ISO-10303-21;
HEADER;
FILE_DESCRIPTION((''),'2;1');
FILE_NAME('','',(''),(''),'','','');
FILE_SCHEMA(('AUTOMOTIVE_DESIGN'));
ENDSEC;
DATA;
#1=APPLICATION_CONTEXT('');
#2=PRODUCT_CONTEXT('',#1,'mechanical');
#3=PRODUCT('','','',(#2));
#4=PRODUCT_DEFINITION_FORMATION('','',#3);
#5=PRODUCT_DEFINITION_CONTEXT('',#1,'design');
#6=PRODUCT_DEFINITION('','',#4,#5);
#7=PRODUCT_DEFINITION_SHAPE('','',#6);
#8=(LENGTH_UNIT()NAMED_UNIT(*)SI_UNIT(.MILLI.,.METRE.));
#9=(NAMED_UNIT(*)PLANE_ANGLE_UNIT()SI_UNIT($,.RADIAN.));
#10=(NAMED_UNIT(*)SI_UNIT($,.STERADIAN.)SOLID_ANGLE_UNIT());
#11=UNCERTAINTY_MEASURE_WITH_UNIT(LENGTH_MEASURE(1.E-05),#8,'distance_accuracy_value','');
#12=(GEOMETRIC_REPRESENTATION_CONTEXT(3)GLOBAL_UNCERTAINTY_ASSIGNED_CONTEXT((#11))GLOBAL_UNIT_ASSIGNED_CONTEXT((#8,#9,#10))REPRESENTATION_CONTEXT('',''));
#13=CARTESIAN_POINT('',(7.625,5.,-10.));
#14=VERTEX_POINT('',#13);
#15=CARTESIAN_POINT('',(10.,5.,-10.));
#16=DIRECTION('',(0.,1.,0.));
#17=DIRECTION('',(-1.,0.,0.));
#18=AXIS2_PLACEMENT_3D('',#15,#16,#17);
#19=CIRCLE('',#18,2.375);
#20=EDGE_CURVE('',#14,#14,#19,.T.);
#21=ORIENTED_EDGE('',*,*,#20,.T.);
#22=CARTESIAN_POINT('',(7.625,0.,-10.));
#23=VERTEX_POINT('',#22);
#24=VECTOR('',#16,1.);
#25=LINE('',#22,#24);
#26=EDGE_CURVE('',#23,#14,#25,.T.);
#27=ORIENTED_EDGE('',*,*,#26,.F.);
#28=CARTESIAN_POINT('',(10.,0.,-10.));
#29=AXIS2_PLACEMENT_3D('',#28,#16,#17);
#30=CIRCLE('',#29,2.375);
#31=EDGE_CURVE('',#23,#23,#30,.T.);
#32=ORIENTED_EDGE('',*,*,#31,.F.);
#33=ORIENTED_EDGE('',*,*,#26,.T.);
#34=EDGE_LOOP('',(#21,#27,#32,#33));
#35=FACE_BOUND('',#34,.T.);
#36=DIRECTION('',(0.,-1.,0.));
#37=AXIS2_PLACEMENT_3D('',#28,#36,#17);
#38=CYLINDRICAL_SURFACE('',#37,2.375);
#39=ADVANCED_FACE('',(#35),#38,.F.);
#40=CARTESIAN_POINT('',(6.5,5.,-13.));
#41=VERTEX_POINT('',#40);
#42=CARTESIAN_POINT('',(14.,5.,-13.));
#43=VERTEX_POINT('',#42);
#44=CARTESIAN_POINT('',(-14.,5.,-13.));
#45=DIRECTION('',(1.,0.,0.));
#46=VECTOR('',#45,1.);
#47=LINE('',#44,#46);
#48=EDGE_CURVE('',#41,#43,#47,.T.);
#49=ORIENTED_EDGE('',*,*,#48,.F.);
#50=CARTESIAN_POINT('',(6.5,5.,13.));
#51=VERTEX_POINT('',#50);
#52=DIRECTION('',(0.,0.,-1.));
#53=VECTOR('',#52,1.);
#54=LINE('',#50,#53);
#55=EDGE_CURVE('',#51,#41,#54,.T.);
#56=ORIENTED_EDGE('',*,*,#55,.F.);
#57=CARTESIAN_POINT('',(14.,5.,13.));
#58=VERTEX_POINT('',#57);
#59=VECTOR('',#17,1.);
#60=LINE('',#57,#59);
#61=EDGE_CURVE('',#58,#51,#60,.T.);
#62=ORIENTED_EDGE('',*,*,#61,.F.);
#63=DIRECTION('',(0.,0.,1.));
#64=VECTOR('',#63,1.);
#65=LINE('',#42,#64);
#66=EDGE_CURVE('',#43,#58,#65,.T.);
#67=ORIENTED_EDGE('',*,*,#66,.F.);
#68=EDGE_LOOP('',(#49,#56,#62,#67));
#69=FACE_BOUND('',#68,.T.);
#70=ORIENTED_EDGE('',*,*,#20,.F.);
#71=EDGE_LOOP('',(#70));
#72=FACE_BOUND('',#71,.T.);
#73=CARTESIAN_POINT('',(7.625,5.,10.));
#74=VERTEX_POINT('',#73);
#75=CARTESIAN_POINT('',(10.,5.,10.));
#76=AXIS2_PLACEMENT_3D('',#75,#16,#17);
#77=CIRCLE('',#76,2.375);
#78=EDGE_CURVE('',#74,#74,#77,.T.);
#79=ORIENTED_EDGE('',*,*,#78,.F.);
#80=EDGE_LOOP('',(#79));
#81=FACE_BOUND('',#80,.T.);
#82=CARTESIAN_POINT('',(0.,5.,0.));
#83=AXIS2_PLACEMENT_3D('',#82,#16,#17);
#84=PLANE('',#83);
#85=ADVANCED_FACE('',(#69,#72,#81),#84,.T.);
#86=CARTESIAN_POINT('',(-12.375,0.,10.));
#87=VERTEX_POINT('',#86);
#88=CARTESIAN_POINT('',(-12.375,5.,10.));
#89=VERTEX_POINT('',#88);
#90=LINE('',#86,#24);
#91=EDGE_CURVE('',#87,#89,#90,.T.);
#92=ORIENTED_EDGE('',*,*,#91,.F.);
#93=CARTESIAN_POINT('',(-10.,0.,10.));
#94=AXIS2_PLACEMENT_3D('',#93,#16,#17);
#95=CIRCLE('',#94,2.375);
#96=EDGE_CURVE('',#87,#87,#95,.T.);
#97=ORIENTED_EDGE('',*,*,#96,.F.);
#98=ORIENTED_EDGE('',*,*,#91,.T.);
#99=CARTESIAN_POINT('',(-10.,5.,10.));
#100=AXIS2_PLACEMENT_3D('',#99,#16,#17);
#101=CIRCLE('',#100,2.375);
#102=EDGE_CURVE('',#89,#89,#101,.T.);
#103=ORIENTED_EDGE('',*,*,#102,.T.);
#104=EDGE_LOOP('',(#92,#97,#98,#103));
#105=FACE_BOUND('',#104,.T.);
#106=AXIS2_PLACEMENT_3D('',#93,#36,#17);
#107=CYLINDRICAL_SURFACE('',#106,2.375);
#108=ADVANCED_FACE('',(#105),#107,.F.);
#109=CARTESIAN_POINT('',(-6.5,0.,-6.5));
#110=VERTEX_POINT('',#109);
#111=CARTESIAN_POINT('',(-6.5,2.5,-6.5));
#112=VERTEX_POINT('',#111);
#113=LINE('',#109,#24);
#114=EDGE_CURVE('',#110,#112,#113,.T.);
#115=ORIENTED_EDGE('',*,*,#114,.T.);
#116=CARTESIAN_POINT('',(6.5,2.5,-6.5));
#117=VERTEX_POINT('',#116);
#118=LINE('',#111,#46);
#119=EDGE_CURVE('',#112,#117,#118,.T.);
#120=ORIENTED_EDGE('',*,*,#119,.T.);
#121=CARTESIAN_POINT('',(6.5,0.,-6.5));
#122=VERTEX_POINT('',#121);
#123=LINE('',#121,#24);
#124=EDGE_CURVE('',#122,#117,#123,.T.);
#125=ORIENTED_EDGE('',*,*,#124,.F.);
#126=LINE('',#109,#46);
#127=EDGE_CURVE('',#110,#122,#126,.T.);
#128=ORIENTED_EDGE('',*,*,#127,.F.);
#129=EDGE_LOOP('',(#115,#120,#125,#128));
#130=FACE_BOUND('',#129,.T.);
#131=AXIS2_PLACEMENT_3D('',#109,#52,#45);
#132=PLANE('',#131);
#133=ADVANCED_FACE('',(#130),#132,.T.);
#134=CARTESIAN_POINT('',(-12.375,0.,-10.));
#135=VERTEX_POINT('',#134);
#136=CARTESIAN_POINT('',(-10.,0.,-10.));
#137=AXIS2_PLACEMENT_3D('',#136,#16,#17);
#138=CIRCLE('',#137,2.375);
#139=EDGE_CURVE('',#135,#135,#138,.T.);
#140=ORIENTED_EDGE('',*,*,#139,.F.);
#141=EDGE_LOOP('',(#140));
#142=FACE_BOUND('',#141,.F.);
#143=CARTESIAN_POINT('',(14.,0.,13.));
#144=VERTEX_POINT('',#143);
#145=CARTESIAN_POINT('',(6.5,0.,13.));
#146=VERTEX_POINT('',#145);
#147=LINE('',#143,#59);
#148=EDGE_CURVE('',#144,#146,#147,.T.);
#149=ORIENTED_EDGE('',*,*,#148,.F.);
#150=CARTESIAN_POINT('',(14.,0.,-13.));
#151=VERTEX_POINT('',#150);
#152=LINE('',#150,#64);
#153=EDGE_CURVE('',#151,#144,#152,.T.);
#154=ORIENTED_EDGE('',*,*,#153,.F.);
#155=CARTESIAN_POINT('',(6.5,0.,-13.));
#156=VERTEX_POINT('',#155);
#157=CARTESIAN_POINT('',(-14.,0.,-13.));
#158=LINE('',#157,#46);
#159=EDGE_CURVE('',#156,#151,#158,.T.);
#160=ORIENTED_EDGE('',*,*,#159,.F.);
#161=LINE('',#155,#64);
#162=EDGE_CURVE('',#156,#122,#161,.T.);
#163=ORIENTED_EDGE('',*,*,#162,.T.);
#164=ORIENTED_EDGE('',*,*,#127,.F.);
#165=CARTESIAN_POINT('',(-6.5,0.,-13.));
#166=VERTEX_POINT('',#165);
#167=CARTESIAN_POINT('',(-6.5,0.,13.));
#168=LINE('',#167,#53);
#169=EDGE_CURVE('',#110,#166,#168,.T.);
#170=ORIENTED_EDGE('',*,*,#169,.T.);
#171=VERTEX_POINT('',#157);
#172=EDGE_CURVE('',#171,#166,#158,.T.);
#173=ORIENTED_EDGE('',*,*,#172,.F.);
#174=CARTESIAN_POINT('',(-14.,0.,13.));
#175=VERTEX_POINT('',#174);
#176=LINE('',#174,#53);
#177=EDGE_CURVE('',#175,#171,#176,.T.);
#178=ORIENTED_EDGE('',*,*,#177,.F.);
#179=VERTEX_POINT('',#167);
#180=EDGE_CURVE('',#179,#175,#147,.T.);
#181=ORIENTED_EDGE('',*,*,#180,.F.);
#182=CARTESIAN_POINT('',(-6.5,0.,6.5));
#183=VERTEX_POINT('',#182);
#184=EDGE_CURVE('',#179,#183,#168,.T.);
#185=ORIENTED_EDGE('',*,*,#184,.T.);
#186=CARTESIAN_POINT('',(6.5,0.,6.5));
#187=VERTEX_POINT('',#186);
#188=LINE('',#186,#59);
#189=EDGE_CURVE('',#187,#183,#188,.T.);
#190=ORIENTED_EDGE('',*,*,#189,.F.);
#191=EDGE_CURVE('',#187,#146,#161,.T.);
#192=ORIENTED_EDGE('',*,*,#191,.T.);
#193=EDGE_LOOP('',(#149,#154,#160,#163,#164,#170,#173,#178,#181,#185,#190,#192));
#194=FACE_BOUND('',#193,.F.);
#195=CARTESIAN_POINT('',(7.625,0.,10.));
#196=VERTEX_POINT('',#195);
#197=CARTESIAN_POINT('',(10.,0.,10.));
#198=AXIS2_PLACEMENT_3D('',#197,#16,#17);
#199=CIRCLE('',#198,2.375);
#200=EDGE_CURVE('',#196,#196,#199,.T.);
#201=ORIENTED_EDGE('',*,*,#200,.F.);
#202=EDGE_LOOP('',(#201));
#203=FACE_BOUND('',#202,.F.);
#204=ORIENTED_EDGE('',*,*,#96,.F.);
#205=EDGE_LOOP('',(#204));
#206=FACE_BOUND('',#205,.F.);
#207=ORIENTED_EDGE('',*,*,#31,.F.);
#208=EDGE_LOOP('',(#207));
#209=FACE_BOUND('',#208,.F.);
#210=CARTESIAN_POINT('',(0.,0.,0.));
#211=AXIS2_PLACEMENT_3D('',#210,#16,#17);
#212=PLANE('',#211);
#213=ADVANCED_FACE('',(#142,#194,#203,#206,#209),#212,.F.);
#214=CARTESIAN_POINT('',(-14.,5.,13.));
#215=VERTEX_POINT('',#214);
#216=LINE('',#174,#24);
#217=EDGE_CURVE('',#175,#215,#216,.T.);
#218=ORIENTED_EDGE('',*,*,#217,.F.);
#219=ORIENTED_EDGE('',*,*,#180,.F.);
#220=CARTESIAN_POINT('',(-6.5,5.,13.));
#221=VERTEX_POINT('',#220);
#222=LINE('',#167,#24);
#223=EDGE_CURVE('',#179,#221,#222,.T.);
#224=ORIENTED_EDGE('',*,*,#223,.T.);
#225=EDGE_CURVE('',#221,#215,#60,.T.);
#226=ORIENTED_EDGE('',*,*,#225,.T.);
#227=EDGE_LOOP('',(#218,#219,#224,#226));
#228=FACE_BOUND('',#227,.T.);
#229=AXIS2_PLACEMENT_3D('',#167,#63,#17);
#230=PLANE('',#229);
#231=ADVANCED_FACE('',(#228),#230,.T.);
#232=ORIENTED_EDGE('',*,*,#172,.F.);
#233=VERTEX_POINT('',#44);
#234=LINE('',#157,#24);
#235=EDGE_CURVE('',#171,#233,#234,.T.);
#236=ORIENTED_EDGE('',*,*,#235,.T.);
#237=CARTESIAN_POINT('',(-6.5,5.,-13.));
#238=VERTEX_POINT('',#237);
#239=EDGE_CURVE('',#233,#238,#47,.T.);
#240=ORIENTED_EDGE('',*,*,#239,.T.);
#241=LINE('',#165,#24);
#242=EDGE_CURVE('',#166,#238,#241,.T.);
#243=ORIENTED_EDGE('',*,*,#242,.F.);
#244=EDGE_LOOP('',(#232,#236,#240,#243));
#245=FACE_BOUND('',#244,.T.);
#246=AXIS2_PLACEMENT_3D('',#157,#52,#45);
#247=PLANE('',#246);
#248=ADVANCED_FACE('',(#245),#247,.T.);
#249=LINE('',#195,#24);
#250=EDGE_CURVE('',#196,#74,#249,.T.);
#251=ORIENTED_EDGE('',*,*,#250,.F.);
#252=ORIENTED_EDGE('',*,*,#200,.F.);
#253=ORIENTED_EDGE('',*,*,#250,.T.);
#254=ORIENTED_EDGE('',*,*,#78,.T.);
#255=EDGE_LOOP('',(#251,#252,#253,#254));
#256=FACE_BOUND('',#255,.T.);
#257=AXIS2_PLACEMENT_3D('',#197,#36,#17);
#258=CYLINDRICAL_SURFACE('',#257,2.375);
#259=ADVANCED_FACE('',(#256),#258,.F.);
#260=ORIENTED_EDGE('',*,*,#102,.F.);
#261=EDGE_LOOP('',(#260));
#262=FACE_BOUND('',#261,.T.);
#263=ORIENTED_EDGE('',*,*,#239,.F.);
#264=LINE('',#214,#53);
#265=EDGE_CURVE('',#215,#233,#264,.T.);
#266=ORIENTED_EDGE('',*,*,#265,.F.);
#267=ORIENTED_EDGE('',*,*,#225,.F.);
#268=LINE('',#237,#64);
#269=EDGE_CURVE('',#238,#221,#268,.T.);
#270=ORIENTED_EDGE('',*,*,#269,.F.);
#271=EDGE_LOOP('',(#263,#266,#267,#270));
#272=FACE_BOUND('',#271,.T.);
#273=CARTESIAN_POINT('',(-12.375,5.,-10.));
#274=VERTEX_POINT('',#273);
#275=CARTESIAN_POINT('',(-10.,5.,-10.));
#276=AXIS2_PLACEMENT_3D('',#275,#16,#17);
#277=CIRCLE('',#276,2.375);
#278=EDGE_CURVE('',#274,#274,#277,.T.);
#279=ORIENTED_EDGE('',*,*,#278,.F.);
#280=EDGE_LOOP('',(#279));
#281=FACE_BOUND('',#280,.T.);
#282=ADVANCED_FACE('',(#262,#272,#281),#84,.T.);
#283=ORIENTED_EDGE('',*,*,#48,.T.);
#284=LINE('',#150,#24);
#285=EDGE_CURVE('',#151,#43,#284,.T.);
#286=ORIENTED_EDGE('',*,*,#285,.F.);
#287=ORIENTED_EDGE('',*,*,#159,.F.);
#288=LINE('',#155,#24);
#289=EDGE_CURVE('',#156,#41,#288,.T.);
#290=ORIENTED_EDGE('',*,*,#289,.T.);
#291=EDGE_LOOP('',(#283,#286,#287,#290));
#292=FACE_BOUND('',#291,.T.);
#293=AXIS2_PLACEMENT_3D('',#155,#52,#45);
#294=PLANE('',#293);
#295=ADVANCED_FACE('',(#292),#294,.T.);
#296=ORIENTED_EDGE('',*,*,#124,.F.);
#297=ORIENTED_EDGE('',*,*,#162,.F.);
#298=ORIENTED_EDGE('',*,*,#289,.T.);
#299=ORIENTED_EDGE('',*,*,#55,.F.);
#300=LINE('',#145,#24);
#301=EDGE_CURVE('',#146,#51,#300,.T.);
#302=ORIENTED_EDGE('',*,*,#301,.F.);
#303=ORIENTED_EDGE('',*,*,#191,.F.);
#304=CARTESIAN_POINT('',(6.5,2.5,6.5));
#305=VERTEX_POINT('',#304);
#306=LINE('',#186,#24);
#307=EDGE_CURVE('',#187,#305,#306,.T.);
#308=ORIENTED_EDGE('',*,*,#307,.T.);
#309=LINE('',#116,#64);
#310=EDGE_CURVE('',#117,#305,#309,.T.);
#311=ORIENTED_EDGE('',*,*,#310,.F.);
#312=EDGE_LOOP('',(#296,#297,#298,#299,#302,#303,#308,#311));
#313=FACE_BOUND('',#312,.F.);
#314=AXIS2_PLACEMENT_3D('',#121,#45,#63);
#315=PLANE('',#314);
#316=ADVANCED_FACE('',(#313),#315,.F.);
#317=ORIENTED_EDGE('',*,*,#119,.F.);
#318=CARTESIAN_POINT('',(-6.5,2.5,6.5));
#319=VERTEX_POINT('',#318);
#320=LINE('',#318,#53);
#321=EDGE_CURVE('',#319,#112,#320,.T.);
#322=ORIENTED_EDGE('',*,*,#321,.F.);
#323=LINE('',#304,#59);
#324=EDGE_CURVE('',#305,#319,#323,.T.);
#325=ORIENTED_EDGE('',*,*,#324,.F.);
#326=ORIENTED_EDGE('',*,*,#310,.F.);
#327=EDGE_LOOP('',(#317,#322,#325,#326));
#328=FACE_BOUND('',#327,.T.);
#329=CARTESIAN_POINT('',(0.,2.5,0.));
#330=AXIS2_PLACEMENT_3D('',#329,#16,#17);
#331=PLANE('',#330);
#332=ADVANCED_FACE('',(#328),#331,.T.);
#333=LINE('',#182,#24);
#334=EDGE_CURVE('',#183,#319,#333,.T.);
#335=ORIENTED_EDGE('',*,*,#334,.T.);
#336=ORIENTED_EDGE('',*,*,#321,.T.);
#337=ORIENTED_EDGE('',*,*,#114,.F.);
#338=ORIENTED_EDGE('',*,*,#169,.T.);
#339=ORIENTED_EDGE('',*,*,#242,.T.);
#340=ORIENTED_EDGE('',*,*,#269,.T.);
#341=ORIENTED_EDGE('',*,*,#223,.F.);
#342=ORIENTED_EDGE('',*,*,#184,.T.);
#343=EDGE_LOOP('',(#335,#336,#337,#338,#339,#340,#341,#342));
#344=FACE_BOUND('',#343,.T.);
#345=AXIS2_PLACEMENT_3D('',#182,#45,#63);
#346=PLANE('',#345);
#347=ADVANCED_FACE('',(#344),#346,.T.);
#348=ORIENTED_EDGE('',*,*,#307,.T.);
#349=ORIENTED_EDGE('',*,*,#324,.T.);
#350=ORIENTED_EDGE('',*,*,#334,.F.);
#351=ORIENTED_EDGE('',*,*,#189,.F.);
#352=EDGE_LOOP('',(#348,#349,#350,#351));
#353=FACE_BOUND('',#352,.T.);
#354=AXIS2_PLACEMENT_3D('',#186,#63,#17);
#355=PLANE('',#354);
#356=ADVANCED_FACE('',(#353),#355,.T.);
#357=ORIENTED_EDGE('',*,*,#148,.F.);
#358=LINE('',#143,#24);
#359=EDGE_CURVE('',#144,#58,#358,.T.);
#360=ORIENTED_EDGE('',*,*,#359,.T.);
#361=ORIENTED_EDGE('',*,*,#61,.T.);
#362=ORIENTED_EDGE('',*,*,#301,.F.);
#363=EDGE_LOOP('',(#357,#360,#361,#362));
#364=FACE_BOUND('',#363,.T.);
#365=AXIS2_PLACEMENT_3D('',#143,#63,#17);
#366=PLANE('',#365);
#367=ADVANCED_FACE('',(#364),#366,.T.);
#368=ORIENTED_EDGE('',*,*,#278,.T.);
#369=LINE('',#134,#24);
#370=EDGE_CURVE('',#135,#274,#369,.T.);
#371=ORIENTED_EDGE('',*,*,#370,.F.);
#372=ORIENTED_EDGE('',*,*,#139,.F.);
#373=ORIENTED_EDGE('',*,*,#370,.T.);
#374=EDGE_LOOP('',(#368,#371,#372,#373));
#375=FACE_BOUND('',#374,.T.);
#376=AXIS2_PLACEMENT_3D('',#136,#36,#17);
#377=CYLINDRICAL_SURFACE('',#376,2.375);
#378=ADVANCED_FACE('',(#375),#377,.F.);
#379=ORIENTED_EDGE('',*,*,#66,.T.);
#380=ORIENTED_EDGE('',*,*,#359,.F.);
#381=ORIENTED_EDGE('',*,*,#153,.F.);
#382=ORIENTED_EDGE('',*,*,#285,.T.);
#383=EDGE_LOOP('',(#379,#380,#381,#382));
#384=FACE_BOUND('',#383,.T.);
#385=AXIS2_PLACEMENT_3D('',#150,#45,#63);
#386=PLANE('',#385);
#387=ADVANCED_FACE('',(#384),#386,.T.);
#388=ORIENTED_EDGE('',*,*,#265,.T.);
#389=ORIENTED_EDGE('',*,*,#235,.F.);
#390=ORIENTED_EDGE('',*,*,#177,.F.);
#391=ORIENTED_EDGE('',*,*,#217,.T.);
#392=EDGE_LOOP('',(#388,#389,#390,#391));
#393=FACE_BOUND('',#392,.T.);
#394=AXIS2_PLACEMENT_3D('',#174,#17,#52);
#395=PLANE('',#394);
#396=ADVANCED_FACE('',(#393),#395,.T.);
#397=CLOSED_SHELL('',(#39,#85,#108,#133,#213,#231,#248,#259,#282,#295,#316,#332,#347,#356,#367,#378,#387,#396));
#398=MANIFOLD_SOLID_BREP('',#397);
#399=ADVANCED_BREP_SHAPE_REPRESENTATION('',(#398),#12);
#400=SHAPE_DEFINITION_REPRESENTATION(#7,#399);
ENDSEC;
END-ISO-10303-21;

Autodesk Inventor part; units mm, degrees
ref_plane "YZ Plane" through (0, 0, 0) normal (1, 0, 0) x (0, 1, 0)
ref_plane "XZ Plane" through (0, 0, 0) normal (0, 1, 0) x (-1, 0, 0)
ref_plane "XY Plane" through (0, 0, 0) normal (0, 0, 1) x (1, 0, 0)
sketch "Sketch1" plane through (0, 0, 0) normal (0, 1, 0) x (-1, 0, 0)
  line L0 (-6.5, 6.5) -> (6.5, 6.5)
  line L1 (6.5, 6.5) -> (6.5, -6.5)
  line L2 (6.5, -6.5) -> (-6.5, -6.5)
  line L3 (-6.5, -6.5) -> (-6.5, 6.5)
  line L4 (-6.5, 6.5) -> (6.5, -6.5) construction
  line L5 (6.5, 6.5) -> (-6.5, -6.5) construction
  circle A0 centre (10, 10) radius 2.375
  circle A1 centre (10, -10) radius 2.375
  circle A2 centre (-10, 10) radius 2.375
  circle A3 centre (-10, -10) radius 2.375
  line L6 (-14, 13) -> (14, 13)
  line L7 (14, 13) -> (14, -13)
  line L8 (14, -13) -> (-14, -13)
  line L9 (-14, -13) -> (-14, 13)
  line L10 (-14, 13) -> (14, -13) construction
  line L11 (14, 13) -> (-14, -13) construction
  line L12 (6.5, 6.5) -> (6.5, 13)
  line L13 (-6.5, 6.5) -> (-6.5, 13)
  line L14 (-6.5, -6.5) -> (-6.5, -13)
  line L15 (6.5, -6.5) -> (6.5, -13)
  point P0 (0, 0)
  dimension "d0" = 13
  dimension "d1" = 13
  dimension "d2" = 4.75
  dimension "d3" = 3.5
  dimension "d4" = 3.5
  dimension "d5" = 3.5
  dimension "d6" = 3.5
  dimension "d9" = 28
  dimension "d10" = 26
extrude "Extrusion1" add sketch "Sketch1" along normal blind 5 contours L3 L14 L8 L9 L6 L13 | L12 L6 L7 L8 L15 L1
extrude "Extrusion2" add sketch "Sketch1" along normal blind 2.5 contours L0 L1 L2 L3
properties part number "PCB_Housing_08_V4"
